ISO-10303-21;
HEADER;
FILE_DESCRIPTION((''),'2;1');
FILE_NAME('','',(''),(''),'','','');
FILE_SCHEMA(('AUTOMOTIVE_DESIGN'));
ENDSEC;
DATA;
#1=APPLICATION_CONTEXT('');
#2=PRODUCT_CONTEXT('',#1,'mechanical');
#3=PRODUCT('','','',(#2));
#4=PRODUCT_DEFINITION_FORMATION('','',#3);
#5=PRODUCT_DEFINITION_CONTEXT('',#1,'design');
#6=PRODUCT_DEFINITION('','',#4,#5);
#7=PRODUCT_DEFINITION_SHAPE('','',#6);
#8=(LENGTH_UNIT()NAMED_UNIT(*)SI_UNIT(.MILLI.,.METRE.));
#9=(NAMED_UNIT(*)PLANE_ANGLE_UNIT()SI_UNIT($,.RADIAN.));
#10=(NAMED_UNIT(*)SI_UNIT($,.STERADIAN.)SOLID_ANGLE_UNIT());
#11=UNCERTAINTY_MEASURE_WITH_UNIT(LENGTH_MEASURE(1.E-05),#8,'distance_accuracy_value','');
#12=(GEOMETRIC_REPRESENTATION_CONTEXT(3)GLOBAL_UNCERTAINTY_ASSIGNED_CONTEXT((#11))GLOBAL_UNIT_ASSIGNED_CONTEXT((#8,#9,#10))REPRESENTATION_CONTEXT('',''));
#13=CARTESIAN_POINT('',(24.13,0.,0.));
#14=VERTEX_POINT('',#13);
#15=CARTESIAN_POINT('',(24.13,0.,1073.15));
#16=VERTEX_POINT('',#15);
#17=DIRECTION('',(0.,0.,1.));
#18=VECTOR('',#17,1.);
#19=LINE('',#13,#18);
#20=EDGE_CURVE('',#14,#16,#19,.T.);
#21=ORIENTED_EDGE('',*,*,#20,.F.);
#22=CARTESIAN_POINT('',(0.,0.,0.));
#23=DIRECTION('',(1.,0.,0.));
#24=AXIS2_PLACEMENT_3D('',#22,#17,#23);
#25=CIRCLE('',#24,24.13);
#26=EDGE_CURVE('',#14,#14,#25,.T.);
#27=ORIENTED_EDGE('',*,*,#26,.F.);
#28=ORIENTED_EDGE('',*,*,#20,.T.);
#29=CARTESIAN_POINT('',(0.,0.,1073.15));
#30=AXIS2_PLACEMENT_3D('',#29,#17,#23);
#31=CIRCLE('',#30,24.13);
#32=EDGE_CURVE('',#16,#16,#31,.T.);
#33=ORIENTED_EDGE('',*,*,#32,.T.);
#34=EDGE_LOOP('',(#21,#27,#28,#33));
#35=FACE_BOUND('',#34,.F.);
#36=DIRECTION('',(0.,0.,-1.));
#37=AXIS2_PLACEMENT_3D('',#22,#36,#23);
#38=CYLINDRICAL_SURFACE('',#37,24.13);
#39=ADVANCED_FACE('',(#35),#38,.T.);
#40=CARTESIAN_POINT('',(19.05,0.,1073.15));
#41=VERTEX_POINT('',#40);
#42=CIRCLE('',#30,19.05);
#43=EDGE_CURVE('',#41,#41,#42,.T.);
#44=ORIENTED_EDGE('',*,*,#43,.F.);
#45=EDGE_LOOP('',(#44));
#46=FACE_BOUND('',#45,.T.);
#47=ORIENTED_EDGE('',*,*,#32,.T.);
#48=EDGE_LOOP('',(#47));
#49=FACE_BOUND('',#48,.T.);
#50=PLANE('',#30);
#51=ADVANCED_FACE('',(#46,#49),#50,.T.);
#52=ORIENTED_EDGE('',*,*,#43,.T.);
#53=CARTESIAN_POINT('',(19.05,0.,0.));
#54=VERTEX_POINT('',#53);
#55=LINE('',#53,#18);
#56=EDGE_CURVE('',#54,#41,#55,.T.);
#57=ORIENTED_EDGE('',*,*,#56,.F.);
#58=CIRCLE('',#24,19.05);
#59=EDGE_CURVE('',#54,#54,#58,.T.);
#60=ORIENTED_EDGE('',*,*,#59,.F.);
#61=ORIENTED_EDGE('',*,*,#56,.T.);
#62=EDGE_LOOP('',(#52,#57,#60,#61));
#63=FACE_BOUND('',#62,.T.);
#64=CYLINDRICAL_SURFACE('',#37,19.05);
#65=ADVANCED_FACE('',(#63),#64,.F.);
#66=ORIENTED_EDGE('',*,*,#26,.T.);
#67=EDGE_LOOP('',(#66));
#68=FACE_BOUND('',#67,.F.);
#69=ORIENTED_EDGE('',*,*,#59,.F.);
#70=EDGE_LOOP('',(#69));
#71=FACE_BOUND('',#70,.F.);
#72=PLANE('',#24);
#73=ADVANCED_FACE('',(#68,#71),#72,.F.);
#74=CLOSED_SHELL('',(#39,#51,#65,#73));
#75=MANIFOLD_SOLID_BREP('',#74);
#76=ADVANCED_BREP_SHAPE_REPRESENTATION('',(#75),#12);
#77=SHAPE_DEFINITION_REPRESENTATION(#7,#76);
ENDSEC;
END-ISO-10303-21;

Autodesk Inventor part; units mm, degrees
ref_plane "YZ Plane" through (0, 0, 0) normal (1, 0, 0) x (0, 1, 0)
ref_plane "XZ Plane" through (0, 0, 0) normal (0, 1, 0) x (-1, 0, 0)
ref_plane "XY Plane" through (0, 0, 0) normal (0, 0, 1) x (1, 0, 0)
sketch "Sketch1" plane through (0, 0, 0) normal (0, 0, 1) x (1, 0, 0)
  circle A0 centre (0, 0) radius 24.13
  circle A1 centre (0, 0) radius 19.05
  dimension "d0" = 48.26
  dimension "d1" = 38.1
extrude "Extrusion1" add sketch "Sketch1" along normal blind 1073.15
properties part number "A1-18002-100-31 1.25in x 4ft bar tube" material "PVC-Piping"
